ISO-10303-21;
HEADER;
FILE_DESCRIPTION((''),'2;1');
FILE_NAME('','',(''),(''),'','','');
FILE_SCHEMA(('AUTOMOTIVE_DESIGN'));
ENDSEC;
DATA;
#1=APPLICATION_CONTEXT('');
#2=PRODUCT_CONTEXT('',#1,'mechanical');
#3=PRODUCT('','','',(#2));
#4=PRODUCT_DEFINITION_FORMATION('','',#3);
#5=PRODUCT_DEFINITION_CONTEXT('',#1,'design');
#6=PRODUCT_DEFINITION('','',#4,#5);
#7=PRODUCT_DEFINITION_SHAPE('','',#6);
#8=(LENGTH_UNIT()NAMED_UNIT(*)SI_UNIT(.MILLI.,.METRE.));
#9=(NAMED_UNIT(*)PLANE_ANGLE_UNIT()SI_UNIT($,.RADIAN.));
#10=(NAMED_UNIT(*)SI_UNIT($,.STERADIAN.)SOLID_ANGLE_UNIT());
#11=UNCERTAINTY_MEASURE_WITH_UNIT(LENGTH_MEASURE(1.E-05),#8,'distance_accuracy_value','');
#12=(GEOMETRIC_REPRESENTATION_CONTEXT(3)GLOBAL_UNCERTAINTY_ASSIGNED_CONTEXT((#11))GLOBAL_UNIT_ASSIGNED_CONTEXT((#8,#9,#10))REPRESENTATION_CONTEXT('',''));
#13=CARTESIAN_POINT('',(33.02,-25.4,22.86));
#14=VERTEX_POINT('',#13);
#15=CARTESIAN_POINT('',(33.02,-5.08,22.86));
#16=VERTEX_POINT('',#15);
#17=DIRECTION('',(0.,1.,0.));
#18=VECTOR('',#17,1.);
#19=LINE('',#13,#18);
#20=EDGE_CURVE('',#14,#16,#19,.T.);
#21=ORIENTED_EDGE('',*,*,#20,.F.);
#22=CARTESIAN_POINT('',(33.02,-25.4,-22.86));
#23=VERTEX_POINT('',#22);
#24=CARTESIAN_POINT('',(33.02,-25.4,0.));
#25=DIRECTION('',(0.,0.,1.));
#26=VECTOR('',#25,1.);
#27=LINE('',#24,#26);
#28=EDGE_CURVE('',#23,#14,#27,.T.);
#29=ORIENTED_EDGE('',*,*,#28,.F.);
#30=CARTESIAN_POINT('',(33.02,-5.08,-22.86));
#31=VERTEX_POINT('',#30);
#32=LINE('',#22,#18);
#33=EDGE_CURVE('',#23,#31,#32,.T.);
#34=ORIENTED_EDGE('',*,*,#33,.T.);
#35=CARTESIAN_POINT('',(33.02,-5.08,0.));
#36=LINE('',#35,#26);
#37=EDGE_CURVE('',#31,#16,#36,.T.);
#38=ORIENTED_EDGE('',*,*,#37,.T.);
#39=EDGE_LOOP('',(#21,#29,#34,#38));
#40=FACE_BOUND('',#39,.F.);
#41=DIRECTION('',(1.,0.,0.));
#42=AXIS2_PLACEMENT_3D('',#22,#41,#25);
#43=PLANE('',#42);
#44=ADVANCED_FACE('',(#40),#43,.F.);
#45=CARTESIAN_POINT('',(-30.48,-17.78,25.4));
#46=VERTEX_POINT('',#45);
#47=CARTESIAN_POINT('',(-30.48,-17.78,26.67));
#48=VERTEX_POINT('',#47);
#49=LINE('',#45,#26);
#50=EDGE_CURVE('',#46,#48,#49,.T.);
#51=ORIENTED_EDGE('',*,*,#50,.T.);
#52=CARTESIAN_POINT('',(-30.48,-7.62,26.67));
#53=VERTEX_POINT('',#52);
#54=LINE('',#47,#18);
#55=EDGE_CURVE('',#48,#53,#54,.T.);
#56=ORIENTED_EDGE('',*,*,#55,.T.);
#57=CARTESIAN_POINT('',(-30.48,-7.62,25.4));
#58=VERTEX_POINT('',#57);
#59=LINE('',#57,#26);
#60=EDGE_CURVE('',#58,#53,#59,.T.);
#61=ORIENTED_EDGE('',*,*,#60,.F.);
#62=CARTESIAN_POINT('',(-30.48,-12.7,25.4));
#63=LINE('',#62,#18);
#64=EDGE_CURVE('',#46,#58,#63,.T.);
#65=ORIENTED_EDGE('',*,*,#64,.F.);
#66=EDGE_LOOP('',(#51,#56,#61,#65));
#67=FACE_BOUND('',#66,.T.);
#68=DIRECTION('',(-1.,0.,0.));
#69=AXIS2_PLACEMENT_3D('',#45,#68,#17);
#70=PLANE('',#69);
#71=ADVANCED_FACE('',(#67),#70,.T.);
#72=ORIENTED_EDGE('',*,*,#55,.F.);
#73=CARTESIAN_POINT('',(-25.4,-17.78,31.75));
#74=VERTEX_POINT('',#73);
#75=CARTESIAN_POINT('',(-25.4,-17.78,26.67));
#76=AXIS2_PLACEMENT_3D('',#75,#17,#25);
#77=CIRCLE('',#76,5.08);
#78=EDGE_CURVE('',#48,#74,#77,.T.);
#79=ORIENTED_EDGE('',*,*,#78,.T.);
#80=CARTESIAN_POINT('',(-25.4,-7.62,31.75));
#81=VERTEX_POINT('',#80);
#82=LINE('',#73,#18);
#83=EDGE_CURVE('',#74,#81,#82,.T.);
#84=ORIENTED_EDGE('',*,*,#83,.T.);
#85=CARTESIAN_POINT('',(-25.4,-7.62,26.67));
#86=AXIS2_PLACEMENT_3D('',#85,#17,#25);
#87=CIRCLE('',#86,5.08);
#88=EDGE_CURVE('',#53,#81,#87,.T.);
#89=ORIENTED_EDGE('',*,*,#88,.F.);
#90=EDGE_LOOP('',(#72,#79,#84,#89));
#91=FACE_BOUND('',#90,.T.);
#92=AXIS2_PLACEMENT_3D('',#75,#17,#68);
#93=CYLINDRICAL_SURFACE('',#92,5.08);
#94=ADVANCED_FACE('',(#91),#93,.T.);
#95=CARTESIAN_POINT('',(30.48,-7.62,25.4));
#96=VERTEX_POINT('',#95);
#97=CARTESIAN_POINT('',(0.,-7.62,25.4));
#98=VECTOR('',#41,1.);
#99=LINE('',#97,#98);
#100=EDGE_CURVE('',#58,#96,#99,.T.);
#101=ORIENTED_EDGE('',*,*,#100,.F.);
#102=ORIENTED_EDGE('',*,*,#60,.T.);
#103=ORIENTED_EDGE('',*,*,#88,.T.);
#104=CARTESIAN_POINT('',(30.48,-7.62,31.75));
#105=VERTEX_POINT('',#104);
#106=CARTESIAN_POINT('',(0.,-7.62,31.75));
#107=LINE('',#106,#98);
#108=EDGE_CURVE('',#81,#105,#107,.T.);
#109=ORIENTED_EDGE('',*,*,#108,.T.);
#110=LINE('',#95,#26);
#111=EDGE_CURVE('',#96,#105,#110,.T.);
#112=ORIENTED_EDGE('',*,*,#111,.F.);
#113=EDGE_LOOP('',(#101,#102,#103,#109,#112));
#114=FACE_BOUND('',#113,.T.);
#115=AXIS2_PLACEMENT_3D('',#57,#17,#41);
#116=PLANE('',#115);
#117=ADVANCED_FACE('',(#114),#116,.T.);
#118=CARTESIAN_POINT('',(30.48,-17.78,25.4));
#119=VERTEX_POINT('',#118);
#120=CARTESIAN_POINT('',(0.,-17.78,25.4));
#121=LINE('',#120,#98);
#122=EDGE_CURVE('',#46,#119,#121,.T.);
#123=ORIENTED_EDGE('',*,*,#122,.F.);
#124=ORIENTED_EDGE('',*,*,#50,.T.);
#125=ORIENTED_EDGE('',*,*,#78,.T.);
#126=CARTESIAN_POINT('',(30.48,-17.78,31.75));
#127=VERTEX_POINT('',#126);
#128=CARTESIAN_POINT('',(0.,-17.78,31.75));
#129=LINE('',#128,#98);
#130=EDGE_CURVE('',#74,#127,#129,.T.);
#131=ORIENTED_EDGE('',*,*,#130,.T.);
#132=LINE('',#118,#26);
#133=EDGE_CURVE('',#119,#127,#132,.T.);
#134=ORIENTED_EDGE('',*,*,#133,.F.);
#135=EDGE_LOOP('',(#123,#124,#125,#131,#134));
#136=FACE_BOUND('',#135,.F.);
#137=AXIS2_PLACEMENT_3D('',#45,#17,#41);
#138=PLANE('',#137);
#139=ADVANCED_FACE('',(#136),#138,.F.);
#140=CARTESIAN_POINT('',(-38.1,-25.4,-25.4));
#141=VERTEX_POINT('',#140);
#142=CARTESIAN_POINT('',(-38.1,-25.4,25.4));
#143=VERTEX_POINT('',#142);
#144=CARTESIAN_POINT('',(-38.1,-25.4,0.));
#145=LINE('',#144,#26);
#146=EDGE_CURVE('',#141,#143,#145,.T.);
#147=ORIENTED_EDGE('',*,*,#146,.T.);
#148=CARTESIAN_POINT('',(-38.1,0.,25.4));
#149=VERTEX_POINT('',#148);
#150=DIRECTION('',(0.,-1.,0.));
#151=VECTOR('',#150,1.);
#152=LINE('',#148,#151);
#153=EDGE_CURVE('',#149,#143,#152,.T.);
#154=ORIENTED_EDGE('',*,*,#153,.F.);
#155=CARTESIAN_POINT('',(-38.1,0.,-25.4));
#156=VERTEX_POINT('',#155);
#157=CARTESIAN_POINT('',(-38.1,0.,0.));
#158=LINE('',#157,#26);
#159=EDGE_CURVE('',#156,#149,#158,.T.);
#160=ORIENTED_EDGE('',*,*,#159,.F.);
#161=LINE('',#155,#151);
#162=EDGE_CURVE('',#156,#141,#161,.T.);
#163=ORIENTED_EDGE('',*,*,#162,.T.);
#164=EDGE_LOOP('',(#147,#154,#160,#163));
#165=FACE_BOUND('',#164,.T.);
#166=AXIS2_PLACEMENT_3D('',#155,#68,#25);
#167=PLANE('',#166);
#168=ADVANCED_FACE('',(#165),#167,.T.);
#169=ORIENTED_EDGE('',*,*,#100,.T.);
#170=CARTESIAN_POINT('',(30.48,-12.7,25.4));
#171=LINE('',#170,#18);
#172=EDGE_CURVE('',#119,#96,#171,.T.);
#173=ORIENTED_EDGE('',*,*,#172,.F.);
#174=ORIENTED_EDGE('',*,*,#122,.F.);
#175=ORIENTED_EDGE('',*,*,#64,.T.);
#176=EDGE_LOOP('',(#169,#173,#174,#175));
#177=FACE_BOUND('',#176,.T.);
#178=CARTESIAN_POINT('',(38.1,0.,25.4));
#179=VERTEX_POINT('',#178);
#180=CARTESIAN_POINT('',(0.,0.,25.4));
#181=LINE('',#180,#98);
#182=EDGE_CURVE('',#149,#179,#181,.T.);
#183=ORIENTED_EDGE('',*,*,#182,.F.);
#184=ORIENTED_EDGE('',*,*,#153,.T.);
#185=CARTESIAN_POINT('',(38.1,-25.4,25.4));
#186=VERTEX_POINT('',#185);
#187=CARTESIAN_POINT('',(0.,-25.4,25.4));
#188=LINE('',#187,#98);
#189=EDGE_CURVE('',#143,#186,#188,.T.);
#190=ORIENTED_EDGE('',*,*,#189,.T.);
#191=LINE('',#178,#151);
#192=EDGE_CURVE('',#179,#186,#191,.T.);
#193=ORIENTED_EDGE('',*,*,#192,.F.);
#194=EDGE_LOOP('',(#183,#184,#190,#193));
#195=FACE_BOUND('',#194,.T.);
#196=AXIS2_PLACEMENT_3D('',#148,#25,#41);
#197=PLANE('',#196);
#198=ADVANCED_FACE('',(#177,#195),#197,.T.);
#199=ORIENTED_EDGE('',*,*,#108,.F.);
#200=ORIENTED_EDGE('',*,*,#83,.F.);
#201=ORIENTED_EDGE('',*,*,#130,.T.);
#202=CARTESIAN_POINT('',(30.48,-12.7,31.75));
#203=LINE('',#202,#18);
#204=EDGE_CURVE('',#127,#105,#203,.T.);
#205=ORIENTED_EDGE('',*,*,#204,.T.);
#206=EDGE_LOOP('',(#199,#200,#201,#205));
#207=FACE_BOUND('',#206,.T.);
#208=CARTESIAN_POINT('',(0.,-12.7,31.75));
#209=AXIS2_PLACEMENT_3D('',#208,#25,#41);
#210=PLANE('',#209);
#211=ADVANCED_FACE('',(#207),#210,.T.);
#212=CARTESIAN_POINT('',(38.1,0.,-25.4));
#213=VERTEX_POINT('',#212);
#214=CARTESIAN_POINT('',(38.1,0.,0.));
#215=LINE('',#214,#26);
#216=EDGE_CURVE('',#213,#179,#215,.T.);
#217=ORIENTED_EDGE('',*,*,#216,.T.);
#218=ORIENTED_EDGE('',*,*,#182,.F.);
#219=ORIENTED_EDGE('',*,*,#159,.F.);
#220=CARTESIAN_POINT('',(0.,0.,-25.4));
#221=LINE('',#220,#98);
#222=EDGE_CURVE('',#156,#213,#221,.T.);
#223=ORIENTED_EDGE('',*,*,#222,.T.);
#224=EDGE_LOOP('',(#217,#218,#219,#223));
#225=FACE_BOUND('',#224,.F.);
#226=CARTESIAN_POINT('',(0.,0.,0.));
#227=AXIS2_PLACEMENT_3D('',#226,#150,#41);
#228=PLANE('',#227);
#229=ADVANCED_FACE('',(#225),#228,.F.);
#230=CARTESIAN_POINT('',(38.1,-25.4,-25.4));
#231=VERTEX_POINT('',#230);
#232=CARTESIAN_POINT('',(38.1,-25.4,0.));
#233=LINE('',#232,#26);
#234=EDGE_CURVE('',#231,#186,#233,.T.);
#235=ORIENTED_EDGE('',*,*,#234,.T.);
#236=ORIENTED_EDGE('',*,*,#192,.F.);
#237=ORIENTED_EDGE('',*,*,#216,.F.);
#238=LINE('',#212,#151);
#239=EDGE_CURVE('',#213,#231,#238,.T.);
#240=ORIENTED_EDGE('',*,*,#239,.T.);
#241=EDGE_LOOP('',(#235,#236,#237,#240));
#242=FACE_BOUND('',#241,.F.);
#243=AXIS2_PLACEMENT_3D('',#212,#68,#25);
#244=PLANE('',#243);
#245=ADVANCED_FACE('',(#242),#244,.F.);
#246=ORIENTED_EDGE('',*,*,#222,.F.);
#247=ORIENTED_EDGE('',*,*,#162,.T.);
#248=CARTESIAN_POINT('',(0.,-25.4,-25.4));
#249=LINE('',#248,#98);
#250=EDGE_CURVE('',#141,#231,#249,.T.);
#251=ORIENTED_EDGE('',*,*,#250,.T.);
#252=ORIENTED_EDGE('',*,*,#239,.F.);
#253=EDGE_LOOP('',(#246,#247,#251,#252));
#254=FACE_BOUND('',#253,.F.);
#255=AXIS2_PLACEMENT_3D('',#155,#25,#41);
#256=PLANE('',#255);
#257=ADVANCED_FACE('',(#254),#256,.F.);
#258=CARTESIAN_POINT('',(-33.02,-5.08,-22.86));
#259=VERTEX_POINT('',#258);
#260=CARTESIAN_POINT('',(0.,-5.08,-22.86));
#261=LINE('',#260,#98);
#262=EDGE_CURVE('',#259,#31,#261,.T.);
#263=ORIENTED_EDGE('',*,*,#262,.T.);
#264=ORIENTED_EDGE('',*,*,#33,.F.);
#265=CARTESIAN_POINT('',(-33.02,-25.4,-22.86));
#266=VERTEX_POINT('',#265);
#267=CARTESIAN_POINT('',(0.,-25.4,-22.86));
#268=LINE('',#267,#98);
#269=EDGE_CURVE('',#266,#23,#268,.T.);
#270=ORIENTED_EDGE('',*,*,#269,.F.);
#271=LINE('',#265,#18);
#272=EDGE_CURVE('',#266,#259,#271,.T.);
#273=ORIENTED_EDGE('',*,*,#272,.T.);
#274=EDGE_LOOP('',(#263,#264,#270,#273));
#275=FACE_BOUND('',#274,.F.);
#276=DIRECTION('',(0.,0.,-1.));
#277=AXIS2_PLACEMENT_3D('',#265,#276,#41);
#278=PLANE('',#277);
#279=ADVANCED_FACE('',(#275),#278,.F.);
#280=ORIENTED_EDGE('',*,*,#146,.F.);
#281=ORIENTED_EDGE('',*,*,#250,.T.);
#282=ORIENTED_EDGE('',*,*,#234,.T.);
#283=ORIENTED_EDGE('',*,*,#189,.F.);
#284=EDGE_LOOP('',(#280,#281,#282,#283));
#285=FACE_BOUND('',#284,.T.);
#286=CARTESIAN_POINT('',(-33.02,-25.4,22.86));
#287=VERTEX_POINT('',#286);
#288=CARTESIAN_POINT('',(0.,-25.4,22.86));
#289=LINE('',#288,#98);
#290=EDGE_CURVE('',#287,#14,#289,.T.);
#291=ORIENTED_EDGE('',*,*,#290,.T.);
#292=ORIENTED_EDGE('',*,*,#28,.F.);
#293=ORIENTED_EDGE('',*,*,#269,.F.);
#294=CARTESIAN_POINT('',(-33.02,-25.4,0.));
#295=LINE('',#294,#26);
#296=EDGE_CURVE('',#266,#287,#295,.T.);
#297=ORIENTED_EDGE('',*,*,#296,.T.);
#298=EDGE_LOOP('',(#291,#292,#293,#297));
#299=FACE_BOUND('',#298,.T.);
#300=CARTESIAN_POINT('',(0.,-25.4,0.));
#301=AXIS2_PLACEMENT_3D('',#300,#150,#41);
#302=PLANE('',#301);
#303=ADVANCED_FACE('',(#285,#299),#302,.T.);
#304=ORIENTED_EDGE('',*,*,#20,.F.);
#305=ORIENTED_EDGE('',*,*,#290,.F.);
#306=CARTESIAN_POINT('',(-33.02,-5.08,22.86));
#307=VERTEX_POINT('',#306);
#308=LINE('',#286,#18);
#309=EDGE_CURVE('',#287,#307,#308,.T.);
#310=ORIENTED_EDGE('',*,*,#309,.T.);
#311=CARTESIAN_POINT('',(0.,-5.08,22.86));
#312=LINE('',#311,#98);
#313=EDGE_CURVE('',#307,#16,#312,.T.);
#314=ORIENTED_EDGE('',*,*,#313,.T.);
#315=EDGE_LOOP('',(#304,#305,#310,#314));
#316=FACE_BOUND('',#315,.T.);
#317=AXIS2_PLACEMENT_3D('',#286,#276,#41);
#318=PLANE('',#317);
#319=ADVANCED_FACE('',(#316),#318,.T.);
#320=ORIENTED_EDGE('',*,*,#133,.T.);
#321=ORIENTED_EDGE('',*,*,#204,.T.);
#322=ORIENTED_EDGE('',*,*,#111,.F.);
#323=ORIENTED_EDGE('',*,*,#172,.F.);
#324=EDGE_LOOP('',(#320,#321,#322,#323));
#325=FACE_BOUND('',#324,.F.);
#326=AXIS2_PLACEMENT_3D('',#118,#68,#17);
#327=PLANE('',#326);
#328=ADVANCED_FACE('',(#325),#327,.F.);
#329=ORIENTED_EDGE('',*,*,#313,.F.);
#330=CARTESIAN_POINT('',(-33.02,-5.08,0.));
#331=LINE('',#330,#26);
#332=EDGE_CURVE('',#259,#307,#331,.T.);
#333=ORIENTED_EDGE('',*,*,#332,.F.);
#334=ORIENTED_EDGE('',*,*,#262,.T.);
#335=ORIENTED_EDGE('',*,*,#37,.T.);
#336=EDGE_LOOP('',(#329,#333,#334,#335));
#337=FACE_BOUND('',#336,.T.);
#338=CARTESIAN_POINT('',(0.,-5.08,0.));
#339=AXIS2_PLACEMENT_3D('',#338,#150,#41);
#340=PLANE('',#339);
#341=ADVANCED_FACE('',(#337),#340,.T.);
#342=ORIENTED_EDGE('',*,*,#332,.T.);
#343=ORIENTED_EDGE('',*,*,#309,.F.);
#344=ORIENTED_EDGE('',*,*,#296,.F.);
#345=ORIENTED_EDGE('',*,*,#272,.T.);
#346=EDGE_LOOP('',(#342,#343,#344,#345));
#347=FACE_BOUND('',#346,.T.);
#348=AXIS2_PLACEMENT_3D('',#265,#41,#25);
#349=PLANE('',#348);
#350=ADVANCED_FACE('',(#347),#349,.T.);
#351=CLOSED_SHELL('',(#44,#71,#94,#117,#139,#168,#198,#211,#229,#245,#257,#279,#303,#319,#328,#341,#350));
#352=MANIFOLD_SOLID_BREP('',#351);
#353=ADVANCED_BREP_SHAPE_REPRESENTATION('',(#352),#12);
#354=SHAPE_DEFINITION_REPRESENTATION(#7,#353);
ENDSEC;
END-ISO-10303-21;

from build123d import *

# Parameters (mm, degrees)
F0_W          = 76.2
F0_H          = 50.8
F1_DEPTH      = 25.4
F2_W          = 66.04
F2_H          = 45.72
F3_DEPTH      = 20.32
F3_DEPTH_BACK = 25.4
F4_W          = 60.9600003704
F4_H          = 10.1600003704
F5_DEPTH      = 6.35
F6_R          = 5.08


with BuildPart() as f1:
    # F0 (on Front) → F1 (new body)
    with BuildSketch(Plane.XZ):
        Rectangle(F0_W, F0_H)
    extrude(amount=F1_DEPTH)

    # F2 (on face) → F3 (cut, two sides)
    with BuildSketch(Plane.XZ.offset(25.4)) as f3_sk:
        Rectangle(F2_W, F2_H)
    extrude(amount=-F3_DEPTH, mode=Mode.SUBTRACT)
    extrude(f3_sk.sketch, amount=F3_DEPTH_BACK, mode=Mode.SUBTRACT)

    # F4 (on face) → F5 (join)
    with BuildSketch(Plane.XY.offset(25.4)):
        with Locations((0, -12.7)):
            Rectangle(F4_W, F4_H)
    extrude(amount=F5_DEPTH)

    # F6
    f6_edges = [f1.edges().sort_by_distance(p)[0] for p in [
        (-30.48, -12.7, 31.75),
    ]]
    fillet(f6_edges, radius=F6_R)


solid = f1.part
